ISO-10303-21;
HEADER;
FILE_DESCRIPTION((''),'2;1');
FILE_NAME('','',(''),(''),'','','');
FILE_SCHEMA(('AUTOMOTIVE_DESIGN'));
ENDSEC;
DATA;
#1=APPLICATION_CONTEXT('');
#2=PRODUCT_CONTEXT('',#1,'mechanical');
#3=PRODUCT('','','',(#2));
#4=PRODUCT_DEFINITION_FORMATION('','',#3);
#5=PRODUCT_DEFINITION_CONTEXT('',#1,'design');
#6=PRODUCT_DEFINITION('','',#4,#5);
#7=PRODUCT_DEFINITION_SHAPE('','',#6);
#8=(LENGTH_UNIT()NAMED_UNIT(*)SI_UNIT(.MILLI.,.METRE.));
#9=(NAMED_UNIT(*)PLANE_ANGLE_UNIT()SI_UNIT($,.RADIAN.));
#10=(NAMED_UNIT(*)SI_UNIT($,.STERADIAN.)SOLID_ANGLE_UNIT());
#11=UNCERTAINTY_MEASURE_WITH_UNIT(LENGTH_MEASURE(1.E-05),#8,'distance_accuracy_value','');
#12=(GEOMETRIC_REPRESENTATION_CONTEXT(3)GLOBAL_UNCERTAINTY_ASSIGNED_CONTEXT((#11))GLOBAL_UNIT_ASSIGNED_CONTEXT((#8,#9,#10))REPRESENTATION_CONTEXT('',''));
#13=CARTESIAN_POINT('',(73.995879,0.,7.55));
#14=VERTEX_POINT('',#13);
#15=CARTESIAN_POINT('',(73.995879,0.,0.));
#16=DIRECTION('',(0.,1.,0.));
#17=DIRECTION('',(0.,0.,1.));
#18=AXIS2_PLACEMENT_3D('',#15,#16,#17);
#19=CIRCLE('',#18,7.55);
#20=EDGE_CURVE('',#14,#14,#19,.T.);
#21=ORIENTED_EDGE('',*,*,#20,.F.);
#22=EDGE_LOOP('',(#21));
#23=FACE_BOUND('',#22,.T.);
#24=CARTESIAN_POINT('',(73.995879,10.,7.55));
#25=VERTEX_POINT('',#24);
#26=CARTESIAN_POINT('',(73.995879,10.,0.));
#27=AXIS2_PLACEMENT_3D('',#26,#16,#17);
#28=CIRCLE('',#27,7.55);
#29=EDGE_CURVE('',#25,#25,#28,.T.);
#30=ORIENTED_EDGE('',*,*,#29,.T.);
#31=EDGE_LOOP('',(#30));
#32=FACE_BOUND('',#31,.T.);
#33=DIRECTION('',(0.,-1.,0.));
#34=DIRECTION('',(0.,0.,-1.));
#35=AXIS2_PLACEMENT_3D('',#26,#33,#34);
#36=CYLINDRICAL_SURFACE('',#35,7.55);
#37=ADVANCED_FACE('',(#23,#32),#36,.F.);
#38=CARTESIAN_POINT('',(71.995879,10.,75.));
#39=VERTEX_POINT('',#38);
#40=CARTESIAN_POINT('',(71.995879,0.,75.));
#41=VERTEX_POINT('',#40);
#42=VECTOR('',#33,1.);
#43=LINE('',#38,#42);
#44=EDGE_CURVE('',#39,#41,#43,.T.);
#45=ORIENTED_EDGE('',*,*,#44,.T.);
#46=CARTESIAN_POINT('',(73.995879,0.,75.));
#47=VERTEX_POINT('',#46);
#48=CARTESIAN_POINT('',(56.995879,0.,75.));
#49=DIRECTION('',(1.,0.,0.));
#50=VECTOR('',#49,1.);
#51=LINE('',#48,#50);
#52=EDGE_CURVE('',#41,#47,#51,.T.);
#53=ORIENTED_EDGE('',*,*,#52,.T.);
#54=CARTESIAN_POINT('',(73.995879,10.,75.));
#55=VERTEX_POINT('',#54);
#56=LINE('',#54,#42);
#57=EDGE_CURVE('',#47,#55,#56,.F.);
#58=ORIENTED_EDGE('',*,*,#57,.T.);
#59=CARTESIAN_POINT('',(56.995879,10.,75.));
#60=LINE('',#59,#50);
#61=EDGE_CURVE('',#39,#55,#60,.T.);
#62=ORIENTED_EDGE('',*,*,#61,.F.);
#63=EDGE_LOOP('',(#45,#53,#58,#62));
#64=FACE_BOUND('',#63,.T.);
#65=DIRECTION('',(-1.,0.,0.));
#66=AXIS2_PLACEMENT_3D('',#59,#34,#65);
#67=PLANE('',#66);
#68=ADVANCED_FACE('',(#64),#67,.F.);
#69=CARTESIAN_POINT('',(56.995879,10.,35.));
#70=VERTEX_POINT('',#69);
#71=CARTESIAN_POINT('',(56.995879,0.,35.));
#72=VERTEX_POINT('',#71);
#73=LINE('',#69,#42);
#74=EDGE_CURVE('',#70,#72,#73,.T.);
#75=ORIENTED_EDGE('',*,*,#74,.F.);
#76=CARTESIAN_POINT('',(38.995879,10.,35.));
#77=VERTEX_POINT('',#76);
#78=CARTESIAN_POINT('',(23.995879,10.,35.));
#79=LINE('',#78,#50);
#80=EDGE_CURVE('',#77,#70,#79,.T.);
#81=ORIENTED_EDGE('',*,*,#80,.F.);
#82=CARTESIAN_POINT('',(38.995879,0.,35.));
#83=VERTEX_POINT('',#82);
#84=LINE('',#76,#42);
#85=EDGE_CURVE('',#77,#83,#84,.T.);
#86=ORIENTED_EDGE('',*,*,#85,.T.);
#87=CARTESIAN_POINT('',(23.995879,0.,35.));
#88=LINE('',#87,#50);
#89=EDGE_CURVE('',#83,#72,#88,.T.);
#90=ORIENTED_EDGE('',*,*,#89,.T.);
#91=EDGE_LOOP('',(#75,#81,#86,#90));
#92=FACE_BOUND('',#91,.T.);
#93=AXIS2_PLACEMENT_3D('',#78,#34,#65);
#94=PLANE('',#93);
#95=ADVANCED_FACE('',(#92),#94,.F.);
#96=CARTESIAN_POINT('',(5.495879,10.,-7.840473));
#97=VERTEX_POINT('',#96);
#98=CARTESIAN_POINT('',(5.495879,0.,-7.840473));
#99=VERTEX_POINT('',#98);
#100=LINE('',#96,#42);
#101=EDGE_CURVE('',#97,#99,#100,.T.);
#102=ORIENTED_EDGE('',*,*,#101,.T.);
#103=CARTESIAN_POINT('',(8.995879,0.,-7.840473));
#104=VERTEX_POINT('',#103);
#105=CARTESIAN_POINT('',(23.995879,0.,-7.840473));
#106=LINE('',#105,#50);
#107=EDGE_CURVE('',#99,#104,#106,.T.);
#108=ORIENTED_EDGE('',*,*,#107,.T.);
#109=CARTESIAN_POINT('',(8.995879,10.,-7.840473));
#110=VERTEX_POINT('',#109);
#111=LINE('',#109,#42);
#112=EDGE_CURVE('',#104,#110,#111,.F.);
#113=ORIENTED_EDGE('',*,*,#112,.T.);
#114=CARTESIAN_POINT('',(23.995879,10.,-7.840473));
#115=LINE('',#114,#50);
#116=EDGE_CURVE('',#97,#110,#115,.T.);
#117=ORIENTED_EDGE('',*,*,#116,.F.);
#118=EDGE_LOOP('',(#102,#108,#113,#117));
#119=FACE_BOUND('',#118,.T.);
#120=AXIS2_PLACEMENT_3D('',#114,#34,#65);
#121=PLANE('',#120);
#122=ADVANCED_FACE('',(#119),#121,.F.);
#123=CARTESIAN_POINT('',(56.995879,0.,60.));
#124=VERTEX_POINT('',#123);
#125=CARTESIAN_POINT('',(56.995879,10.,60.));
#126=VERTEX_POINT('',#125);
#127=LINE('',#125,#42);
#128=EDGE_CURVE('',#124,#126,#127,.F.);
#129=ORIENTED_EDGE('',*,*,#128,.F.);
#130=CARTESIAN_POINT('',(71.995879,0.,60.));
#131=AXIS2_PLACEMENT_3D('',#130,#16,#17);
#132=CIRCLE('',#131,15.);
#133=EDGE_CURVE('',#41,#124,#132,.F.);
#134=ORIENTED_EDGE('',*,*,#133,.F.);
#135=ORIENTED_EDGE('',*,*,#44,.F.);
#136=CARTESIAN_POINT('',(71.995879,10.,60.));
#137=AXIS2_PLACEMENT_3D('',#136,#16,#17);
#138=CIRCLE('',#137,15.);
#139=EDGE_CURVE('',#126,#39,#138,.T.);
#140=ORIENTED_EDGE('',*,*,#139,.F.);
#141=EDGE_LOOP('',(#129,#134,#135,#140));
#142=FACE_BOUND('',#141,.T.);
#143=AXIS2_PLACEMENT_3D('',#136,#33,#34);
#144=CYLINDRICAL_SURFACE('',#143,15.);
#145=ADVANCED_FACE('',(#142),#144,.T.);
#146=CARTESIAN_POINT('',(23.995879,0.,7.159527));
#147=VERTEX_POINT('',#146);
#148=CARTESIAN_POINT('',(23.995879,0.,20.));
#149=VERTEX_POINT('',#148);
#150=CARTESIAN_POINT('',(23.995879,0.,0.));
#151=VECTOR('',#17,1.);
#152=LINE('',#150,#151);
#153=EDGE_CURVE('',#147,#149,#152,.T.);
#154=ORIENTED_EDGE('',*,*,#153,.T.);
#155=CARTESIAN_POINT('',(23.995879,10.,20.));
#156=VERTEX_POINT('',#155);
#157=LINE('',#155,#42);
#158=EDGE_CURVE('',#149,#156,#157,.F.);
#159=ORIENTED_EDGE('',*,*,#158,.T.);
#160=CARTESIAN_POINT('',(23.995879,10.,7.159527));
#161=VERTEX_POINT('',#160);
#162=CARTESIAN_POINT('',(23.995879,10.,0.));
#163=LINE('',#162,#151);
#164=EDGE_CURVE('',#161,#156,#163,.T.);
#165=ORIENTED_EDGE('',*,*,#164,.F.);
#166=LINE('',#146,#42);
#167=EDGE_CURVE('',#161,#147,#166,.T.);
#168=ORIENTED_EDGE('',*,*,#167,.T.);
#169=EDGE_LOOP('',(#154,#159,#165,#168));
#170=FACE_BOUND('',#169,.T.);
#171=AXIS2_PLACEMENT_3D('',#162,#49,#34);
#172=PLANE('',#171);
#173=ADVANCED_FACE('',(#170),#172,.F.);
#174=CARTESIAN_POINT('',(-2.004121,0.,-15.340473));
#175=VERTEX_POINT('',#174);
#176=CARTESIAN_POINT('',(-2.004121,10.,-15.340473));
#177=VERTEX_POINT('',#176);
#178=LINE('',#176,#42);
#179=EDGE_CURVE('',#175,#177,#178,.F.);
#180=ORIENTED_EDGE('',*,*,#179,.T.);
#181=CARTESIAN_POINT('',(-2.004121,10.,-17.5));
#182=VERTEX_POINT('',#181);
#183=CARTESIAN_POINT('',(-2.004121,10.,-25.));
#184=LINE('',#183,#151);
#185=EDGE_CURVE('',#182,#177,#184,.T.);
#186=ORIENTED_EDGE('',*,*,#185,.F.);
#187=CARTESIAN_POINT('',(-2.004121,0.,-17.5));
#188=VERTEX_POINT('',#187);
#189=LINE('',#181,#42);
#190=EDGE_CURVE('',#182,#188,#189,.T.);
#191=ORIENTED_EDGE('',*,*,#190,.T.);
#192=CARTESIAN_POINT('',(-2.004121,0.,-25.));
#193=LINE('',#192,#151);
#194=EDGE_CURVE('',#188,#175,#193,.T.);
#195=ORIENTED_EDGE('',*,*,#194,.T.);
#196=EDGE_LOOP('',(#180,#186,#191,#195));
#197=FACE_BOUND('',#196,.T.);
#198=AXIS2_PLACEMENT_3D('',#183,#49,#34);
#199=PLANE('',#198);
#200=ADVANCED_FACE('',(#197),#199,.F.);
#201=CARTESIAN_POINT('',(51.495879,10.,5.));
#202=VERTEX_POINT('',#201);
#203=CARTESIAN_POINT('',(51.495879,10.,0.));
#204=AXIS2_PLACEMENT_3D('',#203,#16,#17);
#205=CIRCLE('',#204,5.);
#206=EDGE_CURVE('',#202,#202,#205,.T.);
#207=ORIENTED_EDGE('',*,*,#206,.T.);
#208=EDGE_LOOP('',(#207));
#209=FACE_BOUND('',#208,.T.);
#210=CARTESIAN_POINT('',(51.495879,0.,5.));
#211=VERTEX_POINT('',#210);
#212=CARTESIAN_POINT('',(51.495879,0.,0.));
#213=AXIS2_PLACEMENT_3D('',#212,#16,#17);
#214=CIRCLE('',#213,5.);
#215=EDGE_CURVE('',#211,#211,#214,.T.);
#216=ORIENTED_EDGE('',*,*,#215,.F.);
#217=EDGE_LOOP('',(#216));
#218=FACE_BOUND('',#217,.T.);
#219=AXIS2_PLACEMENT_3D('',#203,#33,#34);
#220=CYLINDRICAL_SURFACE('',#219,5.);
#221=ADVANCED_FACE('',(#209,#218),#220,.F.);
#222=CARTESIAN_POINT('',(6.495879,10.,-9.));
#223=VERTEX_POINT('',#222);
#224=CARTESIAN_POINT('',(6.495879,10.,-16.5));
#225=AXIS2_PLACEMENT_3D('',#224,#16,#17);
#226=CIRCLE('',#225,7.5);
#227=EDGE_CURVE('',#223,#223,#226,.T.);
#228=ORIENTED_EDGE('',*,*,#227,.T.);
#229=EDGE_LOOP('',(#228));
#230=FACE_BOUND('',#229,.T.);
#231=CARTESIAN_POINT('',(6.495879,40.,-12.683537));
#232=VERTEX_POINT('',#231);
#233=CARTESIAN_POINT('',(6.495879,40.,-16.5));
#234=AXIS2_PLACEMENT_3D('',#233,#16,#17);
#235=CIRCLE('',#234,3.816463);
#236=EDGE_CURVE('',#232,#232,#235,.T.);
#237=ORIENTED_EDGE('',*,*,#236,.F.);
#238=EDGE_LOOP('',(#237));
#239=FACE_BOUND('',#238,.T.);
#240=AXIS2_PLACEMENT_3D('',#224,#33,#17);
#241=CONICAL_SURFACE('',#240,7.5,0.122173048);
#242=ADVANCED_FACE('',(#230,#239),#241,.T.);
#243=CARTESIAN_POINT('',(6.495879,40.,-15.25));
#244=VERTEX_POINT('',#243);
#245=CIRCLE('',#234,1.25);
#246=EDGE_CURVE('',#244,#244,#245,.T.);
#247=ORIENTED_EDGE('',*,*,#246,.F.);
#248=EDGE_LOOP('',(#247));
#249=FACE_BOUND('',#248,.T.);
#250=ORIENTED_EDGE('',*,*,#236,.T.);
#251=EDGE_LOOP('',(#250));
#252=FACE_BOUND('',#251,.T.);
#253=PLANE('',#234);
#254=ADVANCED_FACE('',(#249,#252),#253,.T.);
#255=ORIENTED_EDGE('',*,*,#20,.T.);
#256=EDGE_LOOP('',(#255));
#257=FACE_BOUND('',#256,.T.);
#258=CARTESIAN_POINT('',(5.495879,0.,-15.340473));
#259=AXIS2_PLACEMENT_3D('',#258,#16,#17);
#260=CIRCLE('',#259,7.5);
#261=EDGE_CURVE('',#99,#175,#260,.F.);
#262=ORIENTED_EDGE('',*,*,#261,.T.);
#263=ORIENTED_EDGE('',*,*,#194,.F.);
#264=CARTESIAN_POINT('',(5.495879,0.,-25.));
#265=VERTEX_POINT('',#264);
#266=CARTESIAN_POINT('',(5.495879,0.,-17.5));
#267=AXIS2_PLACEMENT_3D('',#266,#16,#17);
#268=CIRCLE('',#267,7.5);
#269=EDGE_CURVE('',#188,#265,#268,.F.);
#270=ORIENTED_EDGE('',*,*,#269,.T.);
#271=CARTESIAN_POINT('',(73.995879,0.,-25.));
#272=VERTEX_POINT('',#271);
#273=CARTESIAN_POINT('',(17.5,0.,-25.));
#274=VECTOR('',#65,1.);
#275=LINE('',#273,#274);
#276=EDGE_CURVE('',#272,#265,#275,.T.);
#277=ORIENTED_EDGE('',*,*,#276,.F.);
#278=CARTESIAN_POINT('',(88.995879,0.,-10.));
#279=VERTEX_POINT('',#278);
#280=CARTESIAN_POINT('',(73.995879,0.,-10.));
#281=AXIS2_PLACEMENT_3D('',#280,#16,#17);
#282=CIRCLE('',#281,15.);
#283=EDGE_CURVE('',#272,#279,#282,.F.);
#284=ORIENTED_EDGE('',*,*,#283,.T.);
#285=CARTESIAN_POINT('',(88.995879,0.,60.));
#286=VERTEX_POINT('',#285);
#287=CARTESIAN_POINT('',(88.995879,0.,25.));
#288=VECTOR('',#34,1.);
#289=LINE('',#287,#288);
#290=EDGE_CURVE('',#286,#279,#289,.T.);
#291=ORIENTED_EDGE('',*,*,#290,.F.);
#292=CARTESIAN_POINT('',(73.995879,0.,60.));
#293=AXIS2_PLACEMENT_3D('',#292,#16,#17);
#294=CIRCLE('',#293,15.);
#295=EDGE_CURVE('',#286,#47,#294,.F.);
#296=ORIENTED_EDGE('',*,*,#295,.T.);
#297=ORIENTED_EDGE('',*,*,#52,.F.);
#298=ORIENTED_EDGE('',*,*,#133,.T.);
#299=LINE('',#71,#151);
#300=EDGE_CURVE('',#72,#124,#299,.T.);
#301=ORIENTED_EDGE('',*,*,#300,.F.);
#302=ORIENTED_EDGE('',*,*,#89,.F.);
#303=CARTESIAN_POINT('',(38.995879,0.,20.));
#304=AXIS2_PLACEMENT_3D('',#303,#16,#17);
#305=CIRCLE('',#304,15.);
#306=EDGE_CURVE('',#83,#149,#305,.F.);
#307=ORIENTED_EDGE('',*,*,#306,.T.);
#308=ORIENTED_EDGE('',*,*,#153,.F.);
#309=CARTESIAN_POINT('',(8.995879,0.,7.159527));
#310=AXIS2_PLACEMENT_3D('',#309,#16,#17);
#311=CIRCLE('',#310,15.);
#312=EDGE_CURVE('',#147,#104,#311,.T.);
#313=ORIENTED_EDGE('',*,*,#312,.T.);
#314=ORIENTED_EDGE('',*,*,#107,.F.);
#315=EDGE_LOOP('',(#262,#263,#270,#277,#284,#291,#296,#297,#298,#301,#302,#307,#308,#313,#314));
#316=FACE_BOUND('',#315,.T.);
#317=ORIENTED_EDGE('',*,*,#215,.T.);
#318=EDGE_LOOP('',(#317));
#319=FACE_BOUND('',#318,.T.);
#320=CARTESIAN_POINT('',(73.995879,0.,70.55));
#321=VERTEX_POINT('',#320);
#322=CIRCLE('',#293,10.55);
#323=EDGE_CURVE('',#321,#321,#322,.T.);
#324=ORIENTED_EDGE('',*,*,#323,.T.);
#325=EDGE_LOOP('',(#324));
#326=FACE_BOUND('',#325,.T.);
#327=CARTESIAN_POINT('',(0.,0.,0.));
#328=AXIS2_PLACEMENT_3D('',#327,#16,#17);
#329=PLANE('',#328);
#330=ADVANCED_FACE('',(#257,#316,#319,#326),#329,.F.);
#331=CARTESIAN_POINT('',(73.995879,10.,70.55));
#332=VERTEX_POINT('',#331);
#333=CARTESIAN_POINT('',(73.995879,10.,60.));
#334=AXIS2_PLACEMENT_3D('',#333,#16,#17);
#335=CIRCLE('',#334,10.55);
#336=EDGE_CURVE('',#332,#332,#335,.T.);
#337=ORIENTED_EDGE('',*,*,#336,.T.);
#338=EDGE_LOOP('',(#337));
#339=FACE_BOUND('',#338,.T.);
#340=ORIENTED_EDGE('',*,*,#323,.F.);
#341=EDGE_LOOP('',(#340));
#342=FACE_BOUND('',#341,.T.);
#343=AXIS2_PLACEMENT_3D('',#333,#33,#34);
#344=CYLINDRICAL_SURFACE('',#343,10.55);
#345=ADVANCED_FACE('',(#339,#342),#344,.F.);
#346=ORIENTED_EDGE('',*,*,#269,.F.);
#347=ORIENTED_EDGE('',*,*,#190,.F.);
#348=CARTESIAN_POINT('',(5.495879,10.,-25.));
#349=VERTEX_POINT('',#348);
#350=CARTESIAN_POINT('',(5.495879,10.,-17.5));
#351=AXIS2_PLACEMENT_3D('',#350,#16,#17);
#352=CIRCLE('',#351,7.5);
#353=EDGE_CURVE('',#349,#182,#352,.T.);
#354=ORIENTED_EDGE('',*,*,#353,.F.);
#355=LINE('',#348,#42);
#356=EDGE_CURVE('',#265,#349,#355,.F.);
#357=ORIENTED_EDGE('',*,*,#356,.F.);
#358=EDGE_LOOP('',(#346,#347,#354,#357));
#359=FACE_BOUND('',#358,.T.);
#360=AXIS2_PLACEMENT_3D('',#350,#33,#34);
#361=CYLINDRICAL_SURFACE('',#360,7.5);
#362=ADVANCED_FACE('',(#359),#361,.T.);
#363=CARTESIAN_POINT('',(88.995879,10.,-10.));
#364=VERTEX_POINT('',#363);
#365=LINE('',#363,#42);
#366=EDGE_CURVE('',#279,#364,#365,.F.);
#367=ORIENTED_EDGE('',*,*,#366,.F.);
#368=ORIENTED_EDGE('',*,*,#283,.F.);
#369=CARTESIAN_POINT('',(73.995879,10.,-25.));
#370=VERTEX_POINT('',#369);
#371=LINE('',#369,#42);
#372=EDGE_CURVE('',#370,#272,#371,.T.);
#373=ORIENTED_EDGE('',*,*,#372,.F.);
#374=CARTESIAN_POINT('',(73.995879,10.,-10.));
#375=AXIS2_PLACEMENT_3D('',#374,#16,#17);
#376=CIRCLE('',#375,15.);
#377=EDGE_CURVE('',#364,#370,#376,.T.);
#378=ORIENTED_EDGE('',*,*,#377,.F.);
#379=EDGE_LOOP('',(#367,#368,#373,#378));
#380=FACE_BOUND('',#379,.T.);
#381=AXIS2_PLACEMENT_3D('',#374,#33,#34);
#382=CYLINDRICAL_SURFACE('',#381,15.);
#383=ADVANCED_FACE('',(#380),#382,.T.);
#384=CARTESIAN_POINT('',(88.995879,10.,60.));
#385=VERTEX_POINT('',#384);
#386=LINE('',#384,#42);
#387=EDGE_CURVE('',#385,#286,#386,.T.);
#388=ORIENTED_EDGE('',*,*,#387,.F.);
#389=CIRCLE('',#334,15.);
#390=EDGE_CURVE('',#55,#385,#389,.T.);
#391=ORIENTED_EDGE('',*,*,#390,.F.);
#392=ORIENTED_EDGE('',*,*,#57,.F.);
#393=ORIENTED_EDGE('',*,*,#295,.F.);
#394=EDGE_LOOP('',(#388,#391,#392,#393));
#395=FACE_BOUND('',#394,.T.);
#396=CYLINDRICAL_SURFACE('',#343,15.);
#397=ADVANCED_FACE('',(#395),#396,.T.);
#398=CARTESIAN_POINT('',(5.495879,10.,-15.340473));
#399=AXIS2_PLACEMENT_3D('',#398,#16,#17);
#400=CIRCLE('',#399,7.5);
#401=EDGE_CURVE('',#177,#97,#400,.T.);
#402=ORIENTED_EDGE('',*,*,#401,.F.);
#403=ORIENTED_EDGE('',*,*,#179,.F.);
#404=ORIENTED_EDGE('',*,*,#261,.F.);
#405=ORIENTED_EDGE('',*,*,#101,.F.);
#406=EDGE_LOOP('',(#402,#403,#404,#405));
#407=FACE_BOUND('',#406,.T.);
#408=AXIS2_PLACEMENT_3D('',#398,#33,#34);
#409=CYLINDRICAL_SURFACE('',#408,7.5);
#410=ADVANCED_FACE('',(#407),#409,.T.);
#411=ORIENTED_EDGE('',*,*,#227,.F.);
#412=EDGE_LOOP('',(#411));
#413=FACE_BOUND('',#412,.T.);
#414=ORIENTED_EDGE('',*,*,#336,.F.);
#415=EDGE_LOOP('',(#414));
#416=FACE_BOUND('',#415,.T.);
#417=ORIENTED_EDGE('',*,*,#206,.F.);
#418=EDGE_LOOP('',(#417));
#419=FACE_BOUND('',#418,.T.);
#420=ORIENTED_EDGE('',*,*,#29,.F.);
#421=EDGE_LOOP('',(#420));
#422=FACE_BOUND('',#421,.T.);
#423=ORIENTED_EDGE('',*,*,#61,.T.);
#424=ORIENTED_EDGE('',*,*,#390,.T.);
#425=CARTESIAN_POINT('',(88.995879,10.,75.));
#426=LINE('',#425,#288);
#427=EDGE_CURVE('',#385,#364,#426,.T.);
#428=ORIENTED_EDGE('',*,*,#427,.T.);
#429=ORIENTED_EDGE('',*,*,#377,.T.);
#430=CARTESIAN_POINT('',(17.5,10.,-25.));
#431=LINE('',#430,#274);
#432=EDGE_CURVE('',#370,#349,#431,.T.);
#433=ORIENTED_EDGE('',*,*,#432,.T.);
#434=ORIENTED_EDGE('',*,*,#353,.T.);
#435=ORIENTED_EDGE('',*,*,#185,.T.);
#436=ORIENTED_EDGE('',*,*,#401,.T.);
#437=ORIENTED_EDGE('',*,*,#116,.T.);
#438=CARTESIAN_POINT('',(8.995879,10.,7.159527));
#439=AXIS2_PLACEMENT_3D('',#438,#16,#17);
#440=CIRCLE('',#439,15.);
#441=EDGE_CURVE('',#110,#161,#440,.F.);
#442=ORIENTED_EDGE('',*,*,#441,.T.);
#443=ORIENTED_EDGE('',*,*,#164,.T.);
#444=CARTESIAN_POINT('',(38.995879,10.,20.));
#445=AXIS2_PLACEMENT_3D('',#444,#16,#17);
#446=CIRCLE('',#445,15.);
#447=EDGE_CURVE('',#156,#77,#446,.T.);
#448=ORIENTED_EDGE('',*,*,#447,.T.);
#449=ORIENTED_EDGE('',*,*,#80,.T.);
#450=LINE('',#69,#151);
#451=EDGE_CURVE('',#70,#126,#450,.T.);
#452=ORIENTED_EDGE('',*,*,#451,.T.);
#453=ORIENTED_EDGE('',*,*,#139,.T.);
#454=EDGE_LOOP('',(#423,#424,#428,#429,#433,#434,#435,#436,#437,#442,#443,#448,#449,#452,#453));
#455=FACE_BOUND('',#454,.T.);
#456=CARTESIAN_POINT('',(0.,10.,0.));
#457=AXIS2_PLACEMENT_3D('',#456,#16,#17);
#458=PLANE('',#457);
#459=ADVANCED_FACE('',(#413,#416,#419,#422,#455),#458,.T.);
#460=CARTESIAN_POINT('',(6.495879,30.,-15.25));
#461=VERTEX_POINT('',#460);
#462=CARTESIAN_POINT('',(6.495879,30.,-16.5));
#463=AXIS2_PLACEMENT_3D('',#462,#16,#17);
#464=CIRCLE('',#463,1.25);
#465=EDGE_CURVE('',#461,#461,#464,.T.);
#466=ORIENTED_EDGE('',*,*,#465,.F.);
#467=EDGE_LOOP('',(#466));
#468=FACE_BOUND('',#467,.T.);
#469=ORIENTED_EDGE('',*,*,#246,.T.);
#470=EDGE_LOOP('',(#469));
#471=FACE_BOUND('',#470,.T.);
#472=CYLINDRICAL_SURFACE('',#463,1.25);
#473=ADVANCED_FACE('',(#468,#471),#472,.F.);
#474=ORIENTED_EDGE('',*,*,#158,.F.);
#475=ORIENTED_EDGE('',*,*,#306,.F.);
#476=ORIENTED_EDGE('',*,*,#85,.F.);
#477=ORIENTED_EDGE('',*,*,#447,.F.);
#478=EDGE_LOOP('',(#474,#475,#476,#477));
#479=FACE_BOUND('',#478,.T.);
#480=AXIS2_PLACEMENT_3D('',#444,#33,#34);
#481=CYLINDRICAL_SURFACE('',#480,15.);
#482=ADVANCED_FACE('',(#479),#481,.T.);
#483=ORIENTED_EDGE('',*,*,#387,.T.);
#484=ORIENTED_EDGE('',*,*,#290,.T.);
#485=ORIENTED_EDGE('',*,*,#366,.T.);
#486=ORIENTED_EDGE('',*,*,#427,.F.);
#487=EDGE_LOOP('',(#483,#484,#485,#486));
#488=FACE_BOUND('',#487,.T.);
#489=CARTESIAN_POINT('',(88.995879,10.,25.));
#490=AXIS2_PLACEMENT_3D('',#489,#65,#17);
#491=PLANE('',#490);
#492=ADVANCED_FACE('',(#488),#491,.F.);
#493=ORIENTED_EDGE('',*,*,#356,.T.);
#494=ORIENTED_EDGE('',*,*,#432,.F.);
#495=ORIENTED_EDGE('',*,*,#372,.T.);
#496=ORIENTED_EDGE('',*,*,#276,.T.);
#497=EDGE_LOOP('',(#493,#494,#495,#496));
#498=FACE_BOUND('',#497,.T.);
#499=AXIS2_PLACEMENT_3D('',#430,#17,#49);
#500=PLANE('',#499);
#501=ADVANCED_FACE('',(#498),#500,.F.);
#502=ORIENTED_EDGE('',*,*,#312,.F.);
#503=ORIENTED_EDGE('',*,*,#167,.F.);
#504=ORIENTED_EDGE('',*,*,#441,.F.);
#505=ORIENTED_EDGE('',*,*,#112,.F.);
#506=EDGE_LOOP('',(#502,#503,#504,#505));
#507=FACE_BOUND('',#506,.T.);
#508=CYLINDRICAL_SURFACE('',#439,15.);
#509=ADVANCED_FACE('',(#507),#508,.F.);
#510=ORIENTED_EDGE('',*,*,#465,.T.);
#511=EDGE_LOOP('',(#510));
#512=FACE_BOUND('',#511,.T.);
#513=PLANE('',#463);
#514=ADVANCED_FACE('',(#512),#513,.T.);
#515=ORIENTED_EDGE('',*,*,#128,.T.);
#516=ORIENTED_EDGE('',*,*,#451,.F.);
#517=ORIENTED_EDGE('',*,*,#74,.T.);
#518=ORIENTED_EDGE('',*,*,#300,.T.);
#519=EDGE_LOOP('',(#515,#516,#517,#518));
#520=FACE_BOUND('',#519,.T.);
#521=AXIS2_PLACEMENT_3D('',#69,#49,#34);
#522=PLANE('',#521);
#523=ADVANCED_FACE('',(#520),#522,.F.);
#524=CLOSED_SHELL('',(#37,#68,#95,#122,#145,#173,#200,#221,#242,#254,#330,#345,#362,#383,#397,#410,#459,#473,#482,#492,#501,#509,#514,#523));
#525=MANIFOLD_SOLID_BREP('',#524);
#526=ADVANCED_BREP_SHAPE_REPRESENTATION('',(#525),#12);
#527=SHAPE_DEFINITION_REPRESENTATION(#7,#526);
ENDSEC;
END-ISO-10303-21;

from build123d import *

# Parameters (mm, degrees)
SKETCH1_R           = 7.55
SKETCH1_R_2         = 5
SKETCH1_R_3         = 10.55
BOSS_EXTRUDE1_DEPTH = 10
SKETCH4_R           = 7.5
BOSS_EXTRUDE2_DEPTH = 30
BOSS_EXTRUDE2_TAPER = 7
SKETCH5_R           = 1.25
CUT_EXTRUDE2_DEPTH  = 10
FILLET1_R           = 15
FILLET2_R           = 7.5


with BuildPart() as part:
    # Sketch1 → Boss-Extrude1 (new body)
    with BuildSketch(Plane(origin=(0, 0, 0), x_dir=(1, 0, 0), z_dir=(0, 1, 0))):
        Polygon((23.995878661, -35), (56.995878661, -35), (56.995878661, -75), (88.995878661, -75), (88.995878661, -25), (88.995878661, 25), (17.5, 25), (-2.004121339, 25), (-2.004121339, 7.840472806), (23.995878661, 7.840472806), (23.995878661, 0), align=None)
        with Locations((73.995878661, 0)):
            Circle(SKETCH1_R, mode=Mode.SUBTRACT)
        with Locations((51.495878661, 0)):
            Circle(SKETCH1_R_2, mode=Mode.SUBTRACT)
        with Locations((73.995878661, -60)):
            Circle(SKETCH1_R_3, mode=Mode.SUBTRACT)
    extrude(amount=BOSS_EXTRUDE1_DEPTH)

    # Sketch4 → Boss-Extrude2 (add)
    with BuildSketch(Plane(origin=(0, 10, 0), x_dir=(1, 0, 0), z_dir=(0, 1, 0))):
        with Locations((6.495878661, 16.5)):
            Circle(SKETCH4_R)
    extrude(amount=BOSS_EXTRUDE2_DEPTH, taper=BOSS_EXTRUDE2_TAPER)

    # Sketch5 → Cut-Extrude2 (cut)
    with BuildSketch(Plane(origin=(0, 40, 0), x_dir=(1, 0, 0), z_dir=(0, 1, 0))):
        with Locations((6.495878661, 16.5)):
            Circle(SKETCH5_R)
    extrude(amount=-CUT_EXTRUDE2_DEPTH, mode=Mode.SUBTRACT)

    # Fillet1
    fillet1_edges = [part.edges().sort_by_distance(p)[0] for p in [
        (88.995878661, 5, -25),
        (88.995878661, 5, 75),
        (56.995878661, 5, 75),
        (23.995878661, 5, 35),
        (23.995878661, 5, -7.840472806),
    ]]
    fillet(fillet1_edges, radius=FILLET1_R)

    # Fillet2
    fillet2_edges = [part.edges().sort_by_distance(p)[0] for p in [
        (-2.004121339, 5, -7.840472806),
        (-2.004121339, 5, -25),
    ]]
    fillet(fillet2_edges, radius=FILLET2_R)


solid = part.part
